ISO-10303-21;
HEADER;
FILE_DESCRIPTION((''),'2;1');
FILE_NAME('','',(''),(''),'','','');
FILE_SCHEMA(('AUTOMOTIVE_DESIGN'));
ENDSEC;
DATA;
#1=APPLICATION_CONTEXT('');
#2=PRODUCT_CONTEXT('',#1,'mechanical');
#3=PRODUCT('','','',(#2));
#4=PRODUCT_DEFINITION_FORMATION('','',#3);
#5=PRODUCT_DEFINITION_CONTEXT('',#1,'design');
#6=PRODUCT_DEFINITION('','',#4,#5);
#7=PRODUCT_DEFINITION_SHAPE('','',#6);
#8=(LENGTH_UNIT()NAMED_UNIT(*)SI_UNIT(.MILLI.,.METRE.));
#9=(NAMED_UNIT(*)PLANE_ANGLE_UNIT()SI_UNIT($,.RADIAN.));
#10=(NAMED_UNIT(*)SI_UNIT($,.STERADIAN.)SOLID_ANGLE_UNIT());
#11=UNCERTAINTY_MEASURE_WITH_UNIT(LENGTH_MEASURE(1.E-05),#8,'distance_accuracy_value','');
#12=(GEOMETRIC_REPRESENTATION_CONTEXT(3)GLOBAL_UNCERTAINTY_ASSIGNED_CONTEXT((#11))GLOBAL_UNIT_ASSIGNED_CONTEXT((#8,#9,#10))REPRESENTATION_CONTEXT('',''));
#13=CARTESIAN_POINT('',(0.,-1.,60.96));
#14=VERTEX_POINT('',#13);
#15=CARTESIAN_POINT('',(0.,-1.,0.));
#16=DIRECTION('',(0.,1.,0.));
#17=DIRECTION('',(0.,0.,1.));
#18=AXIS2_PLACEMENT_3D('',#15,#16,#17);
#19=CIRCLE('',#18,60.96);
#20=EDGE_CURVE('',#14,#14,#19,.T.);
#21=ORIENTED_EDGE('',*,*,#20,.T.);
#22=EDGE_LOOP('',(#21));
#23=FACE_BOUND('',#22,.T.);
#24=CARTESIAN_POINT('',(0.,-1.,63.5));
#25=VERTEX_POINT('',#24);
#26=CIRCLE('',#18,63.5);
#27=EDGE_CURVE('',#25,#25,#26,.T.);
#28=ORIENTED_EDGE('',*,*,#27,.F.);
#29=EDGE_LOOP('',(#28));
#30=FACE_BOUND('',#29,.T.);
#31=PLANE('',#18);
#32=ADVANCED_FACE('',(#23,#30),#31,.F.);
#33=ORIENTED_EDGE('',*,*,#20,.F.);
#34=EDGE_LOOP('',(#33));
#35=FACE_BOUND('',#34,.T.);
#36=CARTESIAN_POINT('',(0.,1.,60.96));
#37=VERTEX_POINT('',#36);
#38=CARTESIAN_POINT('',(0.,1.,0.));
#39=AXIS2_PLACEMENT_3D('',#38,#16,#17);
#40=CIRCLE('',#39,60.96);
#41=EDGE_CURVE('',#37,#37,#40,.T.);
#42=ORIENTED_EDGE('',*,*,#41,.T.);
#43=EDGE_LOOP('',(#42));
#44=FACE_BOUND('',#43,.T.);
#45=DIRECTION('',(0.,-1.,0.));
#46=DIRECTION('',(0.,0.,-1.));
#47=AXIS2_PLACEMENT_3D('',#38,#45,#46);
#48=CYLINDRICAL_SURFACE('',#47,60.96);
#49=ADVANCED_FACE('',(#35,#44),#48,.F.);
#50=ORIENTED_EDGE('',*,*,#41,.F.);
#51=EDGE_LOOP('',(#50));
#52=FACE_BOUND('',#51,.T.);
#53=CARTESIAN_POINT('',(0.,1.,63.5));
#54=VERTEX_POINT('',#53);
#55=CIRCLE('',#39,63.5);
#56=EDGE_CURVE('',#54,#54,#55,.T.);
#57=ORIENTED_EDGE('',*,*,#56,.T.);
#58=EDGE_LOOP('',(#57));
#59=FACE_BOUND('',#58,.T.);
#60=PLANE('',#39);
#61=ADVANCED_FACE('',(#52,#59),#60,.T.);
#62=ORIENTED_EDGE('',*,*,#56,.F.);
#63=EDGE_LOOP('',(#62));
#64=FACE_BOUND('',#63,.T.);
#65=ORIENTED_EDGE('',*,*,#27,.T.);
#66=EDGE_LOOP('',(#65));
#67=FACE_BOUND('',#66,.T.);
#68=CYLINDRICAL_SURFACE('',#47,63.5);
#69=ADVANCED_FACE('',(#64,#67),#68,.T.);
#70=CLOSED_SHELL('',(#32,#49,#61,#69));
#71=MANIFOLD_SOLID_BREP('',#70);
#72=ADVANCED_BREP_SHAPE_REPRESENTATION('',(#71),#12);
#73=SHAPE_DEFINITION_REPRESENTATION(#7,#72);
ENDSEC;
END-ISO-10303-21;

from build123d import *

# Parameters (mm, degrees)
SKETCH1_R           = 63.5
SKETCH1_R_2         = 60.96
BOSS_EXTRUDE1_DEPTH = 1


with BuildPart() as part:
    # Sketch1 → Boss-Extrude1 (new body, symmetric)
    with BuildSketch(Plane(origin=(0, 0, 0), x_dir=(1, 0, 0), z_dir=(0, 1, 0))):
        Circle(SKETCH1_R)
        Circle(SKETCH1_R_2, mode=Mode.SUBTRACT)
    extrude(amount=BOSS_EXTRUDE1_DEPTH, both=True)


solid = part.part
